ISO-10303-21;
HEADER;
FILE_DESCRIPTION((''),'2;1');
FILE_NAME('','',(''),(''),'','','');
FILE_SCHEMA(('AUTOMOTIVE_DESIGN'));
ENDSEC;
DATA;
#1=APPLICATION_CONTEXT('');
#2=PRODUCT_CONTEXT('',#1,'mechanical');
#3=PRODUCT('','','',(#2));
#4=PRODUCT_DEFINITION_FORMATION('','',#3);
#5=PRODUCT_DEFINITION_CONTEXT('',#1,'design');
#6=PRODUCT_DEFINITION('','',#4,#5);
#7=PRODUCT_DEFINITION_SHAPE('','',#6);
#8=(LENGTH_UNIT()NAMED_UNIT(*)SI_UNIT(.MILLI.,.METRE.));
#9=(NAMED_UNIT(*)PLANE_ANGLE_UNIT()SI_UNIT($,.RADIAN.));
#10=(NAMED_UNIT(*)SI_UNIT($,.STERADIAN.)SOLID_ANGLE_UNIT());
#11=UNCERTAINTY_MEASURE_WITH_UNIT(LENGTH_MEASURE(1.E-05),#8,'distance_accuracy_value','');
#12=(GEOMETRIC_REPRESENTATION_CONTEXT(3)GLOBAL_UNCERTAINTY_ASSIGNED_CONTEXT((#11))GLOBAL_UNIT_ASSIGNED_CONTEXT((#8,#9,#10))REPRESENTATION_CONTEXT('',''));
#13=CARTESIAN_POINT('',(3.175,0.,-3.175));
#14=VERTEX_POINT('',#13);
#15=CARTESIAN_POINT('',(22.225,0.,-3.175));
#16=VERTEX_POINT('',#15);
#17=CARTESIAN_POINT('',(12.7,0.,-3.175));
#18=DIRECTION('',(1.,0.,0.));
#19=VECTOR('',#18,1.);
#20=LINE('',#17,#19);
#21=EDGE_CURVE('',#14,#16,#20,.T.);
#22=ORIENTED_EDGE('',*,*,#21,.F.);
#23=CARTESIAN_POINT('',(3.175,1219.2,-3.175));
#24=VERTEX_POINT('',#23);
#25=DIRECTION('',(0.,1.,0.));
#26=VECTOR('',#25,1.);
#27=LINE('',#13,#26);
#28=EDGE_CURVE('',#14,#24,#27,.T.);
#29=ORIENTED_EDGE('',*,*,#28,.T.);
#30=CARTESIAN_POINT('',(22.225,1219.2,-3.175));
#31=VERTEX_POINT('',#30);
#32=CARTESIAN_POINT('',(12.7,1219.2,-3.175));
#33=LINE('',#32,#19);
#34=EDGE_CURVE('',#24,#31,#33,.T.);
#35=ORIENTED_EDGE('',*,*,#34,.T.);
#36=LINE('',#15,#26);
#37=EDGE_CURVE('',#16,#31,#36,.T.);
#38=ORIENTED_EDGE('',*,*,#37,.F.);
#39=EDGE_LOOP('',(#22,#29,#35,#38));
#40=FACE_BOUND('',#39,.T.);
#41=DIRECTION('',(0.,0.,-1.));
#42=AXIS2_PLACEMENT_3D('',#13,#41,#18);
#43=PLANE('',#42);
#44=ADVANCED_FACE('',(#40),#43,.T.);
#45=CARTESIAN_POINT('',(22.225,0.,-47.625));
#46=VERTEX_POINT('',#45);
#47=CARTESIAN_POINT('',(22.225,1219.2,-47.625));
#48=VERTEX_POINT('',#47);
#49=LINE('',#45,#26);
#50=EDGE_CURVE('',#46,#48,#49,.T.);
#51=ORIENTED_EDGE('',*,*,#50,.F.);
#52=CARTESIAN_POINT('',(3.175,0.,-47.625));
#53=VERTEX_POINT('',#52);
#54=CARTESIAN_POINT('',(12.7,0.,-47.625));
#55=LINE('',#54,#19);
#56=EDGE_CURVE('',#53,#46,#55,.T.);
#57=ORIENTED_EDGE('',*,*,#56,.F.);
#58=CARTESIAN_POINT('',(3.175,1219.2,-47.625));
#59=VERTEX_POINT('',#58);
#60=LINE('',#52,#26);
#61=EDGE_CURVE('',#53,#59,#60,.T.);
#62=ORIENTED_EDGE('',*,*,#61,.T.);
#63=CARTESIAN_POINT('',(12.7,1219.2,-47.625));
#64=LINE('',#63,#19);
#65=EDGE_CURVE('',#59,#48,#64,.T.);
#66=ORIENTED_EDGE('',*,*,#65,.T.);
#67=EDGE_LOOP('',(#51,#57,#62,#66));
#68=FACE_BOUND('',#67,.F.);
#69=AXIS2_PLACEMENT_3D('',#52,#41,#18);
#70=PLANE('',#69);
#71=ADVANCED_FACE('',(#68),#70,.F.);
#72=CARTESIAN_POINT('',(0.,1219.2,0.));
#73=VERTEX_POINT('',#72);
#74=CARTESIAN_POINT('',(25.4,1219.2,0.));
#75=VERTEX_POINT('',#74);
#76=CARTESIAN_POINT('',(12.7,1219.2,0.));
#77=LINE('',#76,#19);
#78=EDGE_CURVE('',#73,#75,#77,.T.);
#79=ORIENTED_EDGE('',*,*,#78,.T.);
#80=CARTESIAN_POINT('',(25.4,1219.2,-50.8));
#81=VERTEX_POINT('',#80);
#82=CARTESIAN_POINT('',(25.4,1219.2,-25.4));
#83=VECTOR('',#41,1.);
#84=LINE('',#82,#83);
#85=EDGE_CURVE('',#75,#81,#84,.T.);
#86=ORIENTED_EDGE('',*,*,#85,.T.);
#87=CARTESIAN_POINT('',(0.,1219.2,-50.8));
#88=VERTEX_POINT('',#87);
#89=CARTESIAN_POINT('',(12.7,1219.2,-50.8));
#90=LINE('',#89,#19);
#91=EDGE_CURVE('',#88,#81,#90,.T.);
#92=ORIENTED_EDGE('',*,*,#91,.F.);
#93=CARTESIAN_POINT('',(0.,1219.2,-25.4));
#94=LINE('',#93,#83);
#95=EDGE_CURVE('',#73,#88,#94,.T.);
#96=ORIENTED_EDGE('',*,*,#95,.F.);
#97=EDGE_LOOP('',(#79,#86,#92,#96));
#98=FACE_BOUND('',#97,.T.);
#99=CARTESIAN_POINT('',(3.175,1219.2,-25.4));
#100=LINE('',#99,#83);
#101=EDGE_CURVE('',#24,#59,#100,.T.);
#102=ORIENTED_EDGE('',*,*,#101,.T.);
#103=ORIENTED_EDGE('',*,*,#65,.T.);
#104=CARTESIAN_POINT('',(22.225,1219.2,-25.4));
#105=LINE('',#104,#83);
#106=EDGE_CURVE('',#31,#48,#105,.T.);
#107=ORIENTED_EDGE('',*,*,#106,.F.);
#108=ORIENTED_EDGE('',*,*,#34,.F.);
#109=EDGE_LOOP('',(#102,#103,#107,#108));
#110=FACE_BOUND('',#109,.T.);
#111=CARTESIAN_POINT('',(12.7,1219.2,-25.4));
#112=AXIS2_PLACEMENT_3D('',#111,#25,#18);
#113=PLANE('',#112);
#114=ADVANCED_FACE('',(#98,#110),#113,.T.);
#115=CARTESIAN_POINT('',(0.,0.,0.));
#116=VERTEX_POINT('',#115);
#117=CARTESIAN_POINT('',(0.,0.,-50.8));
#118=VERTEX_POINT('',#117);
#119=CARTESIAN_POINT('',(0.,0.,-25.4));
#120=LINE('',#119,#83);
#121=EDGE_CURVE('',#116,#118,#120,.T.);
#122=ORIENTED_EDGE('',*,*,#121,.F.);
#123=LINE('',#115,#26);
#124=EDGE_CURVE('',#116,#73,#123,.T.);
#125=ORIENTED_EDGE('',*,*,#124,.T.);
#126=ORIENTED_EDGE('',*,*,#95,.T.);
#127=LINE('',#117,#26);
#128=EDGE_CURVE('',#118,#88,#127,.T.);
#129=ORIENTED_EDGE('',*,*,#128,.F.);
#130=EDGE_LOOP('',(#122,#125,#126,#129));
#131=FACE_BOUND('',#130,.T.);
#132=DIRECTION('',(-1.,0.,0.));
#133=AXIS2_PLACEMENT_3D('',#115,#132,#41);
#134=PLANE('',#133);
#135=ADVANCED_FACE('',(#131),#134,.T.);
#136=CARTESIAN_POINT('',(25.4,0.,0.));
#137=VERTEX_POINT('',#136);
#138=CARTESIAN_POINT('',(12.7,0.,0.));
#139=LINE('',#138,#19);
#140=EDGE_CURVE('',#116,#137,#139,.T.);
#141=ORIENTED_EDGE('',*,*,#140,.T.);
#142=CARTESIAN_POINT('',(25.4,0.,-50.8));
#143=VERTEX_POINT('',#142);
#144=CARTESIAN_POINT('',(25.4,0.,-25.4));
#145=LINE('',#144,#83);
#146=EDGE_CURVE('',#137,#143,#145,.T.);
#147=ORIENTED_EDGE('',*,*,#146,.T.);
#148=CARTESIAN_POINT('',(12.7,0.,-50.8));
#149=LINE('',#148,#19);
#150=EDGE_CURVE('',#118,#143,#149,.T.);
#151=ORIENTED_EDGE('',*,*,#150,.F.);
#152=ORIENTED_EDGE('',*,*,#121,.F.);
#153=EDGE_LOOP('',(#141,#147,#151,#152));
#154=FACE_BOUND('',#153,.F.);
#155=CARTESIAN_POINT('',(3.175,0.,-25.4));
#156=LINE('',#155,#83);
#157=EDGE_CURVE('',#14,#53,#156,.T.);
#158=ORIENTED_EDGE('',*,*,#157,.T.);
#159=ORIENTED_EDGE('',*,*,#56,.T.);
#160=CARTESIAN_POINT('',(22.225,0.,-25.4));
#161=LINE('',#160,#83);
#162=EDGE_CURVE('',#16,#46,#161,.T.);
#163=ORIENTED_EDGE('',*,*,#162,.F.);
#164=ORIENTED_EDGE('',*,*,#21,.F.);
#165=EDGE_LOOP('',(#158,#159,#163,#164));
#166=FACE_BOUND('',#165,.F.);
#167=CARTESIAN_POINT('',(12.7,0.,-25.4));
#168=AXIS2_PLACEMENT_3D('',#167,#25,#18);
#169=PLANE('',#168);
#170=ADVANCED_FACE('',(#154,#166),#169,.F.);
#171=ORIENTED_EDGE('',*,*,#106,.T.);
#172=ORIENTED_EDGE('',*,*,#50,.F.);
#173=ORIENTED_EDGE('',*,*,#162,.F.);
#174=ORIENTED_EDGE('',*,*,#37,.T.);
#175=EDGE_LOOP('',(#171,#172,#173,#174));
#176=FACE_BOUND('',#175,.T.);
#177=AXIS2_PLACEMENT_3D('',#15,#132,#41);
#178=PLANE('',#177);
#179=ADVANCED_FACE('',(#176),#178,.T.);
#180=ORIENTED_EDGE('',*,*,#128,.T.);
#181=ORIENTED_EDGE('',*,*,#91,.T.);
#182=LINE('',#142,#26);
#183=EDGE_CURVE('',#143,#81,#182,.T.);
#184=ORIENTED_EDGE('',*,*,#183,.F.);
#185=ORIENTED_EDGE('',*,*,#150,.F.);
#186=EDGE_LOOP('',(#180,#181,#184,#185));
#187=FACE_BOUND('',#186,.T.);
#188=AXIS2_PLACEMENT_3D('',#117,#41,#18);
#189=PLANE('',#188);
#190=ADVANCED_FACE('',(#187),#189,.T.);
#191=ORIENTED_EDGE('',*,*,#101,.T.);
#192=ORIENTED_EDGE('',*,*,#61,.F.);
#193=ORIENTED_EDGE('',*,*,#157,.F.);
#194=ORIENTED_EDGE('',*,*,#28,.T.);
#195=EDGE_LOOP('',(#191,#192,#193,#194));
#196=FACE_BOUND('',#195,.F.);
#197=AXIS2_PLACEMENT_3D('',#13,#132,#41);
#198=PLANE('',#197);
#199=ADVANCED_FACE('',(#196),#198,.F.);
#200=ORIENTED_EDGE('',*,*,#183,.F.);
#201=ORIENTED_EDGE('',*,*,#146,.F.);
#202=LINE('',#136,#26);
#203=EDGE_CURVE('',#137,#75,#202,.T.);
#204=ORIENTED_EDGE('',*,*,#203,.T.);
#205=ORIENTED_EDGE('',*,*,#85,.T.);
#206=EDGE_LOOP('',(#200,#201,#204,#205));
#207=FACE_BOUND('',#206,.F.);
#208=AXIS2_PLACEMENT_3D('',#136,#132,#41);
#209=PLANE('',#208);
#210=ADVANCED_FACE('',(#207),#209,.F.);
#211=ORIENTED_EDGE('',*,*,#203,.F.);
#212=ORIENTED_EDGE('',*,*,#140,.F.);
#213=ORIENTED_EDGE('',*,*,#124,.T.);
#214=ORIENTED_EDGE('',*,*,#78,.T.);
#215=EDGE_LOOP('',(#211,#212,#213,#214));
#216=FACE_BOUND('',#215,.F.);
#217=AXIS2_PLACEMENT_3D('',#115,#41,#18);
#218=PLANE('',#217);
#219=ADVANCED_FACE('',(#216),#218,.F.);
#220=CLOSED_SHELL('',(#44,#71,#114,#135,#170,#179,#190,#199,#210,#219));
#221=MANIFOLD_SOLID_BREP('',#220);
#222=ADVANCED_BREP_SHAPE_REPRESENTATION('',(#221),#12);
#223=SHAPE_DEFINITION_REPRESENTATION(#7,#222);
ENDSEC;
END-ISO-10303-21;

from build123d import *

# Parameters (mm, degrees)
SKETCH1_W           = 25.4
SKETCH1_H           = 50.8
SKETCH1_W_2         = 19.05
SKETCH1_H_2         = 44.45
BOSS_EXTRUDE1_DEPTH = 1219.2


with BuildPart() as part:
    # Sketch1 → Boss-Extrude1 (new body)
    with BuildSketch(Plane(origin=(0, 0, 0), x_dir=(1, 0, 0), z_dir=(0, 1, 0))):
        with Locations((12.7, 25.4)):
            Rectangle(SKETCH1_W, SKETCH1_H)
        with Locations((12.7, 25.4)):
            Rectangle(SKETCH1_W_2, SKETCH1_H_2, mode=Mode.SUBTRACT)
    extrude(amount=BOSS_EXTRUDE1_DEPTH)


solid = part.part
